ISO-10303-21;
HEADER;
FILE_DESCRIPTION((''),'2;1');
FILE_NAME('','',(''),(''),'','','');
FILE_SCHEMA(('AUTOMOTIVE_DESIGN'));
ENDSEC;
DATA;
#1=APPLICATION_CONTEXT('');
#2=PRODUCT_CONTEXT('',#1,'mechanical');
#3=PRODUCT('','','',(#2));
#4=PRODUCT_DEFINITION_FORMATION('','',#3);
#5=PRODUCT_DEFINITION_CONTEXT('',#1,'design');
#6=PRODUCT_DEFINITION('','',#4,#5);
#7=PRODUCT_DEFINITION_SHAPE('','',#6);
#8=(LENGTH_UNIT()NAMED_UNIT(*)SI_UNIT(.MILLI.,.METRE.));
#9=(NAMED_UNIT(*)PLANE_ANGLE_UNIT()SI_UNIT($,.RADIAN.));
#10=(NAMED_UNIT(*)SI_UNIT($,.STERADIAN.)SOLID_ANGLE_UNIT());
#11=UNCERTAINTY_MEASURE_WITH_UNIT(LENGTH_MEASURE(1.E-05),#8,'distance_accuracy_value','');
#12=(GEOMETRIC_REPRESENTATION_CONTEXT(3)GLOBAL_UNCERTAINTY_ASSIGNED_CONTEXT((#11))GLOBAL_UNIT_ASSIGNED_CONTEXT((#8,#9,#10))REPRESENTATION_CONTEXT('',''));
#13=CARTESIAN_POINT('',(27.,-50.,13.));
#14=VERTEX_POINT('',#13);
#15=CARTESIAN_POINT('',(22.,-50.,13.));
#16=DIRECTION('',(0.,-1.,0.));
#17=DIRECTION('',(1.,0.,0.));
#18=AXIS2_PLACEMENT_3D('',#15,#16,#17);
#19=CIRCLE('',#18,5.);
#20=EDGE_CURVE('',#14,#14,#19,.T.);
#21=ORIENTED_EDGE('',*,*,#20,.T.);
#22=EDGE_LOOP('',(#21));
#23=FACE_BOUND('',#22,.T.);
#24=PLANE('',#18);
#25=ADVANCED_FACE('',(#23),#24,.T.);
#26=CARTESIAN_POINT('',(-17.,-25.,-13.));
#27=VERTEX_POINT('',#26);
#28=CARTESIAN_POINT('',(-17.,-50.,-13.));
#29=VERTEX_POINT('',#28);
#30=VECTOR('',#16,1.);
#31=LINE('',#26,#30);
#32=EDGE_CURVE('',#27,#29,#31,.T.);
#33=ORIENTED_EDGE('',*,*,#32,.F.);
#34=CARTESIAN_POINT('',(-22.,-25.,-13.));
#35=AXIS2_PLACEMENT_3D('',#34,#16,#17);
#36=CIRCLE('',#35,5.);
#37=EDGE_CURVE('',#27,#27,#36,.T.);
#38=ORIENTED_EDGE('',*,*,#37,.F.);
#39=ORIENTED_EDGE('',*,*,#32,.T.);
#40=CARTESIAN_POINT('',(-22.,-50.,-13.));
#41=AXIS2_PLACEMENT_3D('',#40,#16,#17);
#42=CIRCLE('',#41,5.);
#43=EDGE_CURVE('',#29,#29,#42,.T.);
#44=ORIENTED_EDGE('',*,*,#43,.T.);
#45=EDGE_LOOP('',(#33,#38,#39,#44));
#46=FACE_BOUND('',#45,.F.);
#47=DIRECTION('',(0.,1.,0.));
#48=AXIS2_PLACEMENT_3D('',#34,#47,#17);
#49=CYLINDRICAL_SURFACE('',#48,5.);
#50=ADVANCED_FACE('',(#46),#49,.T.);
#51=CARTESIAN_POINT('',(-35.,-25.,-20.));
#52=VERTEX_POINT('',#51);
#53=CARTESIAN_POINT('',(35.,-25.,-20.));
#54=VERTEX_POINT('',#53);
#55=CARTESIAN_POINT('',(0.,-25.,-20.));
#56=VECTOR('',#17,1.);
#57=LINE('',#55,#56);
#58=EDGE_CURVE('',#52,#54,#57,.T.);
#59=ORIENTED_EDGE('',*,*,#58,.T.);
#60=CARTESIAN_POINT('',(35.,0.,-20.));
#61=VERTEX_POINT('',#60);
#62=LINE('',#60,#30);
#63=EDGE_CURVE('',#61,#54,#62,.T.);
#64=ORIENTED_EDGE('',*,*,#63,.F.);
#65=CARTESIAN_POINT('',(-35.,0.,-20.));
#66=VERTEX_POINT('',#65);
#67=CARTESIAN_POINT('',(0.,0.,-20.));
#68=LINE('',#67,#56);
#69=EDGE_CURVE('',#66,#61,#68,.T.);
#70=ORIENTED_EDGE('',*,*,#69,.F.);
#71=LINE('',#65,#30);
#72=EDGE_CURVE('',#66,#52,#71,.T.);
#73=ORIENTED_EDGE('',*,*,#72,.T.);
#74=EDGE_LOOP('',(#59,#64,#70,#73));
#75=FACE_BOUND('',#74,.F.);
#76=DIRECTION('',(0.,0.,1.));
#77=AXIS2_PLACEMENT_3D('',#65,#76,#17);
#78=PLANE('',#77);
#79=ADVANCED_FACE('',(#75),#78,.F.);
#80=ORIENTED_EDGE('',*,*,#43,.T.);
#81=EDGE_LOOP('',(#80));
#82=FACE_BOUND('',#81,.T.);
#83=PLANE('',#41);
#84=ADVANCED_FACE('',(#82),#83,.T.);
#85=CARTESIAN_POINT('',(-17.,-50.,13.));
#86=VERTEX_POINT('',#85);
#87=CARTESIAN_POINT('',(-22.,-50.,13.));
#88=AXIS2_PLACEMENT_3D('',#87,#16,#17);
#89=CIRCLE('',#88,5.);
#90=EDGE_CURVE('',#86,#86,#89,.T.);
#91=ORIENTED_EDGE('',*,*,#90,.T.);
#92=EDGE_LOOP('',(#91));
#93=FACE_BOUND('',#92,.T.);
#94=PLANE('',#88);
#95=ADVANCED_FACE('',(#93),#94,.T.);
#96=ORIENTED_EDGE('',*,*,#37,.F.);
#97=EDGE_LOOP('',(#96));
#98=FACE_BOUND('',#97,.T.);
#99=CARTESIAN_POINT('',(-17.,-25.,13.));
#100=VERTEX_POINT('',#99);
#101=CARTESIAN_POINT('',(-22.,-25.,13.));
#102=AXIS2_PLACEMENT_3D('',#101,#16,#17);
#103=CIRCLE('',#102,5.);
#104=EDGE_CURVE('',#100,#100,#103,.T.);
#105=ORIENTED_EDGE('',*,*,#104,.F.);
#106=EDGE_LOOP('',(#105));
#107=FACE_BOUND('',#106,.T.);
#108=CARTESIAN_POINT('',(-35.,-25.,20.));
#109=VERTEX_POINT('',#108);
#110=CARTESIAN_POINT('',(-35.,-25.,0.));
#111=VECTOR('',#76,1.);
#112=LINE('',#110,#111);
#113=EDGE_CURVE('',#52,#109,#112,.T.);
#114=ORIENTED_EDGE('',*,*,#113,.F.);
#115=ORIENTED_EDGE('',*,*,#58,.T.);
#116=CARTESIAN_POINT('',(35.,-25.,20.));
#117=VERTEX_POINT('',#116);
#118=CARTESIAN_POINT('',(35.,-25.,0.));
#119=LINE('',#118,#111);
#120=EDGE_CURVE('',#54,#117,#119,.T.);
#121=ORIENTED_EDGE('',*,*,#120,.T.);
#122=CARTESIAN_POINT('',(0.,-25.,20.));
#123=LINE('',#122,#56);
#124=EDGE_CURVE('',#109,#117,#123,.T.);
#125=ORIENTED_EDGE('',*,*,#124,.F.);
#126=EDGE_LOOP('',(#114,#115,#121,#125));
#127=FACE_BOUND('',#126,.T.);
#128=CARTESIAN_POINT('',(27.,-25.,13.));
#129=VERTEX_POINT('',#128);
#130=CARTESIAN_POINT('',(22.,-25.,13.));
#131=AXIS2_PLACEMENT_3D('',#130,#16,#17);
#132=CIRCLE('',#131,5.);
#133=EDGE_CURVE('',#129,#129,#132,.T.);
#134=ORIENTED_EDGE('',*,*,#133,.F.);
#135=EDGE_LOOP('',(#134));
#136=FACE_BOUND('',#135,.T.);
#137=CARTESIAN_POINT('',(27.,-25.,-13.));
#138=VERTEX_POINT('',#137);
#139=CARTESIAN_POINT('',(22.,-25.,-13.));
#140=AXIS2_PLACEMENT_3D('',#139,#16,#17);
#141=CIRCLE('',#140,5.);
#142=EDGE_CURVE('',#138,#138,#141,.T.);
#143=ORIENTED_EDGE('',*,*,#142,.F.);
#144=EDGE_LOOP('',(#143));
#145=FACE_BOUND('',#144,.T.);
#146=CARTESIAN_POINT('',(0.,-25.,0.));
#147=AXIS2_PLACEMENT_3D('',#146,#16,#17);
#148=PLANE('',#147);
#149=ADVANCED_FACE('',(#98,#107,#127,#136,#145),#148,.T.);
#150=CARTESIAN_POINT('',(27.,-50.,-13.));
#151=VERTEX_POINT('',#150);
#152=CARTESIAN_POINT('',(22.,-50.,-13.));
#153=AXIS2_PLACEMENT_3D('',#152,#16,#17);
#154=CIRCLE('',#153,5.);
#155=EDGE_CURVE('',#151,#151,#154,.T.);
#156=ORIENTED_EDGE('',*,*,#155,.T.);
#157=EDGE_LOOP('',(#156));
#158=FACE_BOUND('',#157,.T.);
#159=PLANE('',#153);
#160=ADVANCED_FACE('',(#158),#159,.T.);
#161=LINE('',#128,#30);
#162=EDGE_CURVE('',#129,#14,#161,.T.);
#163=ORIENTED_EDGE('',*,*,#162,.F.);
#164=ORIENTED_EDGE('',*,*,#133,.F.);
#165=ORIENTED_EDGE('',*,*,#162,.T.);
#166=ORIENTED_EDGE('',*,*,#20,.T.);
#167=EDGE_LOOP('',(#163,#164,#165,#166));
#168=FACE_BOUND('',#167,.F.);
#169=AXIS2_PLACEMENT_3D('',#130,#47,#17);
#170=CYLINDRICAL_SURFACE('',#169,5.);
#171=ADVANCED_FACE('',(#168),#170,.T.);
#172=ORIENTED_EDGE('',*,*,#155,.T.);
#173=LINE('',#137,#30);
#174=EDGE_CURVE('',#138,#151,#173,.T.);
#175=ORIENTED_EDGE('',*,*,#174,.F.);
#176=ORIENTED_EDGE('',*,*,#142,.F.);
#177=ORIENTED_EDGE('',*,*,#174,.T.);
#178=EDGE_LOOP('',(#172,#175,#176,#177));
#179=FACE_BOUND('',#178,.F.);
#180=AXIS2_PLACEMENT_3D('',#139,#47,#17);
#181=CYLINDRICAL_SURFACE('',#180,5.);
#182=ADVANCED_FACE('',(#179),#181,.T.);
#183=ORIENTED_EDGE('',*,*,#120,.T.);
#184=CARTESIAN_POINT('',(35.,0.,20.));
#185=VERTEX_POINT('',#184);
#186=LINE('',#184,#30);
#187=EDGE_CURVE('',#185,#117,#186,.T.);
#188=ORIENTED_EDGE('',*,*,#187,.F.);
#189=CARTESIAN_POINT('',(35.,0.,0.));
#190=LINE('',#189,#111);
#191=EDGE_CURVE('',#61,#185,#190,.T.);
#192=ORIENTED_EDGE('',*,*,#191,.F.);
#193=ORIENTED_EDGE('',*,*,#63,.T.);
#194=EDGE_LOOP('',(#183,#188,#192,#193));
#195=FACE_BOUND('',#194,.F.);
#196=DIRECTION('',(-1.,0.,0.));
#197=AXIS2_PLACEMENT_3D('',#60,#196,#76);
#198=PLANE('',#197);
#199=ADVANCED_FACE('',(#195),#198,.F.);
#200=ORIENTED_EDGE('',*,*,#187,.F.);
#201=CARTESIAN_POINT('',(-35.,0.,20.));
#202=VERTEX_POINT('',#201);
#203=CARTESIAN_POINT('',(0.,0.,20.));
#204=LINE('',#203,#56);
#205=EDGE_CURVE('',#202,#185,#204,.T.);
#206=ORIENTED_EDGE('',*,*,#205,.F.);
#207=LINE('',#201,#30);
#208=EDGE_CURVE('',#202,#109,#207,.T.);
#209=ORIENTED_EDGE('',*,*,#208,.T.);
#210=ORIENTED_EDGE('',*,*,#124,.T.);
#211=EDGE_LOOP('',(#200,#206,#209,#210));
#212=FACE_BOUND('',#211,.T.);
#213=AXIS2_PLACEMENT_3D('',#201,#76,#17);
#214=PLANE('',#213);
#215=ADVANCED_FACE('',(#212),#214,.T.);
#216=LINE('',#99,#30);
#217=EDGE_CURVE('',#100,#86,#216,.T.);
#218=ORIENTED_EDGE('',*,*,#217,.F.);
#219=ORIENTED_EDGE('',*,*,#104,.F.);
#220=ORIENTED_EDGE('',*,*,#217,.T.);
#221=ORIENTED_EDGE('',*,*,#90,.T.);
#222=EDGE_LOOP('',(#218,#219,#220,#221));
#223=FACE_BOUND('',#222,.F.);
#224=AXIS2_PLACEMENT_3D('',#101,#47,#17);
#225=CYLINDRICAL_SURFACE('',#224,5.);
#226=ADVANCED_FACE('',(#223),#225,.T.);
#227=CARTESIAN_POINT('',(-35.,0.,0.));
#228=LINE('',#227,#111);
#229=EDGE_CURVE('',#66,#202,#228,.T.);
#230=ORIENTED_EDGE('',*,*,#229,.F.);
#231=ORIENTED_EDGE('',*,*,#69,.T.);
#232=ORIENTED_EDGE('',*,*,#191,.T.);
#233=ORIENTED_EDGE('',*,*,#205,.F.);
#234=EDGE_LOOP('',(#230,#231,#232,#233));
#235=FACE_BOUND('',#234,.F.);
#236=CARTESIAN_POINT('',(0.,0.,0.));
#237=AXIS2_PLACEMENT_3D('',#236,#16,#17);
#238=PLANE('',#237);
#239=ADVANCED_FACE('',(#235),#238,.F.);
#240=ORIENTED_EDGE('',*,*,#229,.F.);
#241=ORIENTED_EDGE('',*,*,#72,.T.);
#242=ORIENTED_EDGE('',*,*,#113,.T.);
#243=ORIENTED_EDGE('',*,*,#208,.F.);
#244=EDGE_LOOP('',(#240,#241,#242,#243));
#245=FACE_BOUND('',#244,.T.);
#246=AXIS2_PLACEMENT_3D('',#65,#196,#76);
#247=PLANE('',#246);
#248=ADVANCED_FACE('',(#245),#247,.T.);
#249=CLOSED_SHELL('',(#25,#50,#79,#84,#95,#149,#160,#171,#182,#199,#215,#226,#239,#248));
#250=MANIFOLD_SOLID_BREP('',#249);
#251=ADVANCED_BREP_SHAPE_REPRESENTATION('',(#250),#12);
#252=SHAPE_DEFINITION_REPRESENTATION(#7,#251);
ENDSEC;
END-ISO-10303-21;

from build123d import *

# Parameters (mm, degrees)
F0_W     = 70
F0_H     = 40
F1_DEPTH = 25
F2_R     = 5
F3_DEPTH = 25


with BuildPart() as f1:
    # F0 (on Front) → F1 (new body)
    with BuildSketch(Plane.XZ):
        Rectangle(F0_W, F0_H)
    extrude(amount=F1_DEPTH)

    # F2 (on face) → F3 (join)
    with BuildSketch(Plane.XZ.offset(25)):
        with Locations((-22, -13)):
            Circle(F2_R)
        with Locations((-22, 13)):
            Circle(F2_R)
        with Locations((22, -13)):
            Circle(F2_R)
        with Locations((22, 13)):
            Circle(F2_R)
    extrude(amount=F3_DEPTH)


solid = f1.part
